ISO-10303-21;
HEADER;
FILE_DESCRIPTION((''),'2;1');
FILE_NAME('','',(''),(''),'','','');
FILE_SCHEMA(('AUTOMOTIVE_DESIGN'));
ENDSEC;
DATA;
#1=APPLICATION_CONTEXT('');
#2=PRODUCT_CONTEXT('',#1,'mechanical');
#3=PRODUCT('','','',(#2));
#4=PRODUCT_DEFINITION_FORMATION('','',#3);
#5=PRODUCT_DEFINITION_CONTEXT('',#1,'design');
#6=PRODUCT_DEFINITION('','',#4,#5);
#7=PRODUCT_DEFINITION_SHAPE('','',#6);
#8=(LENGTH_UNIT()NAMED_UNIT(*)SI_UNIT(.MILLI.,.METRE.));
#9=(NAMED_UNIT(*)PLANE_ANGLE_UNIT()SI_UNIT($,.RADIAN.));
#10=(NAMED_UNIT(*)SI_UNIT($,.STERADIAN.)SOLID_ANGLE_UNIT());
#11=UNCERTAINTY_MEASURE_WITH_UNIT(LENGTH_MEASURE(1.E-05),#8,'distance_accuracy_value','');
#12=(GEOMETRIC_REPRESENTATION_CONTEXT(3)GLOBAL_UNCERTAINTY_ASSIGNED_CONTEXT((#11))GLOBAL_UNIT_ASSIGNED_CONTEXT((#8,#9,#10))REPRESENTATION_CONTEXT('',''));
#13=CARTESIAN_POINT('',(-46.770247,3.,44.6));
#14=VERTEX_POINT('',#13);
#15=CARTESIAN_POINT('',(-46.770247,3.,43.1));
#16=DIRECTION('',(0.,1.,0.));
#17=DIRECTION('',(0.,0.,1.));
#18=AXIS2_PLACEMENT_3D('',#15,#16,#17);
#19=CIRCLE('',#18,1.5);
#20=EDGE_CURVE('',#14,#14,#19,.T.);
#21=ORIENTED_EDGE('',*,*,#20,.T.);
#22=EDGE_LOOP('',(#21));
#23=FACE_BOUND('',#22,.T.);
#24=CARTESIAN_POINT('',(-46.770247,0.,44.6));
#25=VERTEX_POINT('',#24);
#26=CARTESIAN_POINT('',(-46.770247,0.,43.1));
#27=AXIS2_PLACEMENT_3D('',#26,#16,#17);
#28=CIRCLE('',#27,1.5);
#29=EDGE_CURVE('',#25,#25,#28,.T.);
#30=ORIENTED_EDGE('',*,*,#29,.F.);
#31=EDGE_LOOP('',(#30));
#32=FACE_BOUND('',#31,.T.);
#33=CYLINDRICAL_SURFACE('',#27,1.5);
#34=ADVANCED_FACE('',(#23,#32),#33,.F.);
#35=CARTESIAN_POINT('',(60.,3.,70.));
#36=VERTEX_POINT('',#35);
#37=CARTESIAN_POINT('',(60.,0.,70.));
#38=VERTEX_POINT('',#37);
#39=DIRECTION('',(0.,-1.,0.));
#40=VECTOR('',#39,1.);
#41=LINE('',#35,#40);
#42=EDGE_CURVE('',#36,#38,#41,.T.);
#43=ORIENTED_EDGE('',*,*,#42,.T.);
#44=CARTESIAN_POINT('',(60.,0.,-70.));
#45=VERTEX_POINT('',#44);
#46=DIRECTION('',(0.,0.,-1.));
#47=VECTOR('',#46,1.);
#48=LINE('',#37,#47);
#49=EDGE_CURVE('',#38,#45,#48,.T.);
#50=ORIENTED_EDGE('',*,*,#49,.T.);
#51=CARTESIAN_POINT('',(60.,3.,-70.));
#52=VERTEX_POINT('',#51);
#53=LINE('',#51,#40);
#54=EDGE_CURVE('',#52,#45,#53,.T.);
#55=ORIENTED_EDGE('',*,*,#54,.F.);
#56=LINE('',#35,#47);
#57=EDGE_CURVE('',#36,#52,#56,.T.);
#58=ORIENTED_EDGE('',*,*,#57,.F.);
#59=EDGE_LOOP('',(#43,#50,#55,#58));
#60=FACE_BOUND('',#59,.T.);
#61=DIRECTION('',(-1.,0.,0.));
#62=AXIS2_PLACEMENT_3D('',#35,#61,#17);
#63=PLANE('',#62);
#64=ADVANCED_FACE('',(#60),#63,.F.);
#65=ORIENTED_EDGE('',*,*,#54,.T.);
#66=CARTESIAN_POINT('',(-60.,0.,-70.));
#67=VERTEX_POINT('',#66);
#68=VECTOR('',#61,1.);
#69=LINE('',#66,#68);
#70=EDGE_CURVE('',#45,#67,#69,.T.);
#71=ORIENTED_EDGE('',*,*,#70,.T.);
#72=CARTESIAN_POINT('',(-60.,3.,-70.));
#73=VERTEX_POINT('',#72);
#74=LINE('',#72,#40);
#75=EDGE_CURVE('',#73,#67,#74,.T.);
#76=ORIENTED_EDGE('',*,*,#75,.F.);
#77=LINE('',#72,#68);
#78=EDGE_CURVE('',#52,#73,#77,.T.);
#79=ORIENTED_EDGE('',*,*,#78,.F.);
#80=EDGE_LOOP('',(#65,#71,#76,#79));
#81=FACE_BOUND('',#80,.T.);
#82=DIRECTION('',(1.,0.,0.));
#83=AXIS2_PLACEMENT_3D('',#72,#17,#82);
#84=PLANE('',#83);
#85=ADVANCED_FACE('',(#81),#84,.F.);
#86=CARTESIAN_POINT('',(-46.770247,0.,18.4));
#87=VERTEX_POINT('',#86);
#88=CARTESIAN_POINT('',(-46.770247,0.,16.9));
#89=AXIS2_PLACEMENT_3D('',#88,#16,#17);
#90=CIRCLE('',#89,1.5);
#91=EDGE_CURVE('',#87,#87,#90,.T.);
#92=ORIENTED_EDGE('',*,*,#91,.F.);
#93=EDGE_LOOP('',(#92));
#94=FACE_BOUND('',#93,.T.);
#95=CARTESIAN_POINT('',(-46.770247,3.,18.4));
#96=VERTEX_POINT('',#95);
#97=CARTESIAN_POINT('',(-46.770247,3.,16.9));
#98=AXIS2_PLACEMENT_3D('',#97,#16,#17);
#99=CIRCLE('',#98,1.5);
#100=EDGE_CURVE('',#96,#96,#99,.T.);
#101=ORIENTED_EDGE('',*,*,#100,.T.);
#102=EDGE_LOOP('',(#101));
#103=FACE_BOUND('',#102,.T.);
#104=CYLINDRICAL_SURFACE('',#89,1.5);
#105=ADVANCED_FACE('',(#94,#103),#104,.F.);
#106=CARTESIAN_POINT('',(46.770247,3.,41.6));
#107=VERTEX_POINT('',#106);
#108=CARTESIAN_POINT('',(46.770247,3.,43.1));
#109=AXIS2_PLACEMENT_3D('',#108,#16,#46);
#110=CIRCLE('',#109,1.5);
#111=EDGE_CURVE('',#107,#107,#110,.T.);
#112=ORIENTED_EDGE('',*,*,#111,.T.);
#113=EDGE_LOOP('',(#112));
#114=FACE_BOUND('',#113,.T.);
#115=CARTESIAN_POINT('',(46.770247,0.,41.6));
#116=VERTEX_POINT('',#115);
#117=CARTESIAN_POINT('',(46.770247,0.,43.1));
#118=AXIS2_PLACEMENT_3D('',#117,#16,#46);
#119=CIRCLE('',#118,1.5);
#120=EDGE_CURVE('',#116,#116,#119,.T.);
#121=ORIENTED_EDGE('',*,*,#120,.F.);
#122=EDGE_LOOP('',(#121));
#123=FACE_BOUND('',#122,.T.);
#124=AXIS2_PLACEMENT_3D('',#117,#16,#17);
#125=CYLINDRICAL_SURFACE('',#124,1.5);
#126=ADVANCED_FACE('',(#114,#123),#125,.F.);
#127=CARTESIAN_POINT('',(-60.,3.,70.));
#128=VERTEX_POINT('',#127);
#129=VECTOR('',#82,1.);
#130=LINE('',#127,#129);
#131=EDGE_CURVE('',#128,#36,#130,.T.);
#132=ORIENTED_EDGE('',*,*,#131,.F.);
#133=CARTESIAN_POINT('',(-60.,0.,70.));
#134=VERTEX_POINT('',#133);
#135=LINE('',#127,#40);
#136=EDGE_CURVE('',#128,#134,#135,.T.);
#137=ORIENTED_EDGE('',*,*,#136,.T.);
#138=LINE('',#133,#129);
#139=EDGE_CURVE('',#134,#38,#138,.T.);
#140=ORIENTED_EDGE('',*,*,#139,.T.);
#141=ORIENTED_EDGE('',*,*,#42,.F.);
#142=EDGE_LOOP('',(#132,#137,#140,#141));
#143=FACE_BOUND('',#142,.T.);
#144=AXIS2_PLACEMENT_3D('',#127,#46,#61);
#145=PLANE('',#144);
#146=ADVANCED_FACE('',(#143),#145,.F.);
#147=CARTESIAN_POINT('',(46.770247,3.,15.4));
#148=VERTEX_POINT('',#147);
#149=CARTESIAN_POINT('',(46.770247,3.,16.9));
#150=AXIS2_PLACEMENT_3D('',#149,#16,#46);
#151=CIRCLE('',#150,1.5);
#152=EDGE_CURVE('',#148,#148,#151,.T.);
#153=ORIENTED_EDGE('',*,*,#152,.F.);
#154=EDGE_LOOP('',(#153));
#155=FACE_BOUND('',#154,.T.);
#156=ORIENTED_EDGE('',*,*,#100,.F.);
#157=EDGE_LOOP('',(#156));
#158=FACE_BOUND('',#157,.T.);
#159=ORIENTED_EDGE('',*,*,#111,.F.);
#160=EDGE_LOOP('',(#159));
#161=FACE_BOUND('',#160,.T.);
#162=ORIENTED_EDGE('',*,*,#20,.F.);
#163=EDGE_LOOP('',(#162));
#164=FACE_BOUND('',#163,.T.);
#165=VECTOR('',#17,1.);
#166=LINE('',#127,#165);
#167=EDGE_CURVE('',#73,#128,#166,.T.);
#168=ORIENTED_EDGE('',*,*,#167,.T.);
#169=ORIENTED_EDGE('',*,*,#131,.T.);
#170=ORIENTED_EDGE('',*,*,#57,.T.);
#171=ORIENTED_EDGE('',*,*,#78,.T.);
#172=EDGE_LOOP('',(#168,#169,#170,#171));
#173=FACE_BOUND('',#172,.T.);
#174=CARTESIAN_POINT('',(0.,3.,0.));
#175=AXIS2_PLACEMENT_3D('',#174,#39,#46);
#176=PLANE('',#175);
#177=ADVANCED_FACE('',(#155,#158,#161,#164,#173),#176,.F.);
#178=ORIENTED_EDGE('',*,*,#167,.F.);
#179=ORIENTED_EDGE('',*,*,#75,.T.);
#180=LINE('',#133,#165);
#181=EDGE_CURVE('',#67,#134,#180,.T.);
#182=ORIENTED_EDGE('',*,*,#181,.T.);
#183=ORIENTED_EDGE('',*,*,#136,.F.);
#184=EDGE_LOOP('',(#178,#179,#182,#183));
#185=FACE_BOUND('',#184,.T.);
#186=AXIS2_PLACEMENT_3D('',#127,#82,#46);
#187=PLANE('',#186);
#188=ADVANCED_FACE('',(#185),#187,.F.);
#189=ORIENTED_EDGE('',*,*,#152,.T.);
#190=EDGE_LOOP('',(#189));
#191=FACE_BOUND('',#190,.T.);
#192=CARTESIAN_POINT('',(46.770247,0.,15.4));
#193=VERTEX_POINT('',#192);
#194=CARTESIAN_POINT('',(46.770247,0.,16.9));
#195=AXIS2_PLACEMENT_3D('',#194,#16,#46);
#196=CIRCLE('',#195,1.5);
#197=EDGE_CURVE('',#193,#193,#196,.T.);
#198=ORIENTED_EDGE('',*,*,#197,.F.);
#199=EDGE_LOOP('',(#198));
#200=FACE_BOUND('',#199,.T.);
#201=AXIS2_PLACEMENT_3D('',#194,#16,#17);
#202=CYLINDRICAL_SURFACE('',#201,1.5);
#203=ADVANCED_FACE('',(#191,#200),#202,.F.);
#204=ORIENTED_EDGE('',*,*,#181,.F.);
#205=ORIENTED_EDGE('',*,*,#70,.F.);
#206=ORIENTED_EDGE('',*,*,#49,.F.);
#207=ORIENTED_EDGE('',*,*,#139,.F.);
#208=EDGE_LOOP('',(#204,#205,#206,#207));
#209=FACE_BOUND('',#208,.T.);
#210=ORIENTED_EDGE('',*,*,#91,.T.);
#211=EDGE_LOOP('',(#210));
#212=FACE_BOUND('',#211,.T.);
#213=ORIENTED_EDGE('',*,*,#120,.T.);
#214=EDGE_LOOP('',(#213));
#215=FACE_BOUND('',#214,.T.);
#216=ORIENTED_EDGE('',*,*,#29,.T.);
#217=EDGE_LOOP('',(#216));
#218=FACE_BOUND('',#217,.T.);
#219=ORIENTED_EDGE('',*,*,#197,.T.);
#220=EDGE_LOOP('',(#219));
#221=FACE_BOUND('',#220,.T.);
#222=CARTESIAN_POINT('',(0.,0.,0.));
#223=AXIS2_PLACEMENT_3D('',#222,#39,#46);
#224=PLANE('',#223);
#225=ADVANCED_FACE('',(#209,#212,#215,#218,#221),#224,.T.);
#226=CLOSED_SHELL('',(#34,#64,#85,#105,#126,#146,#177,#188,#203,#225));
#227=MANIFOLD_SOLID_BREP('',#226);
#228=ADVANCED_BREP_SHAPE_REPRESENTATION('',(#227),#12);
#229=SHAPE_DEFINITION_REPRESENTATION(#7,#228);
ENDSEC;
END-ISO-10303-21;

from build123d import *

# Parameters (mm, degrees)
SKETCH1_W           = 120
SKETCH1_H           = 140
BOSS_EXTRUDE1_DEPTH = 3
SKETCH2_R           = 1.5
CUT_EXTRUDE1_DEPTH  = 4


with BuildPart() as part:
    # Sketch1 → Boss-Extrude1 (new body)
    with BuildSketch(Plane(origin=(0, 0, 0), x_dir=(1, 0, 0), z_dir=(0, 1, 0))):
        Rectangle(SKETCH1_W, SKETCH1_H)
    extrude(amount=BOSS_EXTRUDE1_DEPTH)

    # Sketch2 → Cut-Extrude1 (cut, through all)
    with BuildSketch(Plane(origin=(0, 3, 0), x_dir=(1, 0, 0), z_dir=(0, 1, 0))):
        with Locations((-46.770246749, -16.9)):
            Circle(SKETCH2_R)
        with Locations((-46.770246749, -43.1)):
            Circle(SKETCH2_R)
        with Locations((46.770246749, -43.1)):
            Circle(SKETCH2_R)
        with Locations((46.770246749, -16.9)):
            Circle(SKETCH2_R)
    extrude(amount=-CUT_EXTRUDE1_DEPTH, mode=Mode.SUBTRACT)


solid = part.part
